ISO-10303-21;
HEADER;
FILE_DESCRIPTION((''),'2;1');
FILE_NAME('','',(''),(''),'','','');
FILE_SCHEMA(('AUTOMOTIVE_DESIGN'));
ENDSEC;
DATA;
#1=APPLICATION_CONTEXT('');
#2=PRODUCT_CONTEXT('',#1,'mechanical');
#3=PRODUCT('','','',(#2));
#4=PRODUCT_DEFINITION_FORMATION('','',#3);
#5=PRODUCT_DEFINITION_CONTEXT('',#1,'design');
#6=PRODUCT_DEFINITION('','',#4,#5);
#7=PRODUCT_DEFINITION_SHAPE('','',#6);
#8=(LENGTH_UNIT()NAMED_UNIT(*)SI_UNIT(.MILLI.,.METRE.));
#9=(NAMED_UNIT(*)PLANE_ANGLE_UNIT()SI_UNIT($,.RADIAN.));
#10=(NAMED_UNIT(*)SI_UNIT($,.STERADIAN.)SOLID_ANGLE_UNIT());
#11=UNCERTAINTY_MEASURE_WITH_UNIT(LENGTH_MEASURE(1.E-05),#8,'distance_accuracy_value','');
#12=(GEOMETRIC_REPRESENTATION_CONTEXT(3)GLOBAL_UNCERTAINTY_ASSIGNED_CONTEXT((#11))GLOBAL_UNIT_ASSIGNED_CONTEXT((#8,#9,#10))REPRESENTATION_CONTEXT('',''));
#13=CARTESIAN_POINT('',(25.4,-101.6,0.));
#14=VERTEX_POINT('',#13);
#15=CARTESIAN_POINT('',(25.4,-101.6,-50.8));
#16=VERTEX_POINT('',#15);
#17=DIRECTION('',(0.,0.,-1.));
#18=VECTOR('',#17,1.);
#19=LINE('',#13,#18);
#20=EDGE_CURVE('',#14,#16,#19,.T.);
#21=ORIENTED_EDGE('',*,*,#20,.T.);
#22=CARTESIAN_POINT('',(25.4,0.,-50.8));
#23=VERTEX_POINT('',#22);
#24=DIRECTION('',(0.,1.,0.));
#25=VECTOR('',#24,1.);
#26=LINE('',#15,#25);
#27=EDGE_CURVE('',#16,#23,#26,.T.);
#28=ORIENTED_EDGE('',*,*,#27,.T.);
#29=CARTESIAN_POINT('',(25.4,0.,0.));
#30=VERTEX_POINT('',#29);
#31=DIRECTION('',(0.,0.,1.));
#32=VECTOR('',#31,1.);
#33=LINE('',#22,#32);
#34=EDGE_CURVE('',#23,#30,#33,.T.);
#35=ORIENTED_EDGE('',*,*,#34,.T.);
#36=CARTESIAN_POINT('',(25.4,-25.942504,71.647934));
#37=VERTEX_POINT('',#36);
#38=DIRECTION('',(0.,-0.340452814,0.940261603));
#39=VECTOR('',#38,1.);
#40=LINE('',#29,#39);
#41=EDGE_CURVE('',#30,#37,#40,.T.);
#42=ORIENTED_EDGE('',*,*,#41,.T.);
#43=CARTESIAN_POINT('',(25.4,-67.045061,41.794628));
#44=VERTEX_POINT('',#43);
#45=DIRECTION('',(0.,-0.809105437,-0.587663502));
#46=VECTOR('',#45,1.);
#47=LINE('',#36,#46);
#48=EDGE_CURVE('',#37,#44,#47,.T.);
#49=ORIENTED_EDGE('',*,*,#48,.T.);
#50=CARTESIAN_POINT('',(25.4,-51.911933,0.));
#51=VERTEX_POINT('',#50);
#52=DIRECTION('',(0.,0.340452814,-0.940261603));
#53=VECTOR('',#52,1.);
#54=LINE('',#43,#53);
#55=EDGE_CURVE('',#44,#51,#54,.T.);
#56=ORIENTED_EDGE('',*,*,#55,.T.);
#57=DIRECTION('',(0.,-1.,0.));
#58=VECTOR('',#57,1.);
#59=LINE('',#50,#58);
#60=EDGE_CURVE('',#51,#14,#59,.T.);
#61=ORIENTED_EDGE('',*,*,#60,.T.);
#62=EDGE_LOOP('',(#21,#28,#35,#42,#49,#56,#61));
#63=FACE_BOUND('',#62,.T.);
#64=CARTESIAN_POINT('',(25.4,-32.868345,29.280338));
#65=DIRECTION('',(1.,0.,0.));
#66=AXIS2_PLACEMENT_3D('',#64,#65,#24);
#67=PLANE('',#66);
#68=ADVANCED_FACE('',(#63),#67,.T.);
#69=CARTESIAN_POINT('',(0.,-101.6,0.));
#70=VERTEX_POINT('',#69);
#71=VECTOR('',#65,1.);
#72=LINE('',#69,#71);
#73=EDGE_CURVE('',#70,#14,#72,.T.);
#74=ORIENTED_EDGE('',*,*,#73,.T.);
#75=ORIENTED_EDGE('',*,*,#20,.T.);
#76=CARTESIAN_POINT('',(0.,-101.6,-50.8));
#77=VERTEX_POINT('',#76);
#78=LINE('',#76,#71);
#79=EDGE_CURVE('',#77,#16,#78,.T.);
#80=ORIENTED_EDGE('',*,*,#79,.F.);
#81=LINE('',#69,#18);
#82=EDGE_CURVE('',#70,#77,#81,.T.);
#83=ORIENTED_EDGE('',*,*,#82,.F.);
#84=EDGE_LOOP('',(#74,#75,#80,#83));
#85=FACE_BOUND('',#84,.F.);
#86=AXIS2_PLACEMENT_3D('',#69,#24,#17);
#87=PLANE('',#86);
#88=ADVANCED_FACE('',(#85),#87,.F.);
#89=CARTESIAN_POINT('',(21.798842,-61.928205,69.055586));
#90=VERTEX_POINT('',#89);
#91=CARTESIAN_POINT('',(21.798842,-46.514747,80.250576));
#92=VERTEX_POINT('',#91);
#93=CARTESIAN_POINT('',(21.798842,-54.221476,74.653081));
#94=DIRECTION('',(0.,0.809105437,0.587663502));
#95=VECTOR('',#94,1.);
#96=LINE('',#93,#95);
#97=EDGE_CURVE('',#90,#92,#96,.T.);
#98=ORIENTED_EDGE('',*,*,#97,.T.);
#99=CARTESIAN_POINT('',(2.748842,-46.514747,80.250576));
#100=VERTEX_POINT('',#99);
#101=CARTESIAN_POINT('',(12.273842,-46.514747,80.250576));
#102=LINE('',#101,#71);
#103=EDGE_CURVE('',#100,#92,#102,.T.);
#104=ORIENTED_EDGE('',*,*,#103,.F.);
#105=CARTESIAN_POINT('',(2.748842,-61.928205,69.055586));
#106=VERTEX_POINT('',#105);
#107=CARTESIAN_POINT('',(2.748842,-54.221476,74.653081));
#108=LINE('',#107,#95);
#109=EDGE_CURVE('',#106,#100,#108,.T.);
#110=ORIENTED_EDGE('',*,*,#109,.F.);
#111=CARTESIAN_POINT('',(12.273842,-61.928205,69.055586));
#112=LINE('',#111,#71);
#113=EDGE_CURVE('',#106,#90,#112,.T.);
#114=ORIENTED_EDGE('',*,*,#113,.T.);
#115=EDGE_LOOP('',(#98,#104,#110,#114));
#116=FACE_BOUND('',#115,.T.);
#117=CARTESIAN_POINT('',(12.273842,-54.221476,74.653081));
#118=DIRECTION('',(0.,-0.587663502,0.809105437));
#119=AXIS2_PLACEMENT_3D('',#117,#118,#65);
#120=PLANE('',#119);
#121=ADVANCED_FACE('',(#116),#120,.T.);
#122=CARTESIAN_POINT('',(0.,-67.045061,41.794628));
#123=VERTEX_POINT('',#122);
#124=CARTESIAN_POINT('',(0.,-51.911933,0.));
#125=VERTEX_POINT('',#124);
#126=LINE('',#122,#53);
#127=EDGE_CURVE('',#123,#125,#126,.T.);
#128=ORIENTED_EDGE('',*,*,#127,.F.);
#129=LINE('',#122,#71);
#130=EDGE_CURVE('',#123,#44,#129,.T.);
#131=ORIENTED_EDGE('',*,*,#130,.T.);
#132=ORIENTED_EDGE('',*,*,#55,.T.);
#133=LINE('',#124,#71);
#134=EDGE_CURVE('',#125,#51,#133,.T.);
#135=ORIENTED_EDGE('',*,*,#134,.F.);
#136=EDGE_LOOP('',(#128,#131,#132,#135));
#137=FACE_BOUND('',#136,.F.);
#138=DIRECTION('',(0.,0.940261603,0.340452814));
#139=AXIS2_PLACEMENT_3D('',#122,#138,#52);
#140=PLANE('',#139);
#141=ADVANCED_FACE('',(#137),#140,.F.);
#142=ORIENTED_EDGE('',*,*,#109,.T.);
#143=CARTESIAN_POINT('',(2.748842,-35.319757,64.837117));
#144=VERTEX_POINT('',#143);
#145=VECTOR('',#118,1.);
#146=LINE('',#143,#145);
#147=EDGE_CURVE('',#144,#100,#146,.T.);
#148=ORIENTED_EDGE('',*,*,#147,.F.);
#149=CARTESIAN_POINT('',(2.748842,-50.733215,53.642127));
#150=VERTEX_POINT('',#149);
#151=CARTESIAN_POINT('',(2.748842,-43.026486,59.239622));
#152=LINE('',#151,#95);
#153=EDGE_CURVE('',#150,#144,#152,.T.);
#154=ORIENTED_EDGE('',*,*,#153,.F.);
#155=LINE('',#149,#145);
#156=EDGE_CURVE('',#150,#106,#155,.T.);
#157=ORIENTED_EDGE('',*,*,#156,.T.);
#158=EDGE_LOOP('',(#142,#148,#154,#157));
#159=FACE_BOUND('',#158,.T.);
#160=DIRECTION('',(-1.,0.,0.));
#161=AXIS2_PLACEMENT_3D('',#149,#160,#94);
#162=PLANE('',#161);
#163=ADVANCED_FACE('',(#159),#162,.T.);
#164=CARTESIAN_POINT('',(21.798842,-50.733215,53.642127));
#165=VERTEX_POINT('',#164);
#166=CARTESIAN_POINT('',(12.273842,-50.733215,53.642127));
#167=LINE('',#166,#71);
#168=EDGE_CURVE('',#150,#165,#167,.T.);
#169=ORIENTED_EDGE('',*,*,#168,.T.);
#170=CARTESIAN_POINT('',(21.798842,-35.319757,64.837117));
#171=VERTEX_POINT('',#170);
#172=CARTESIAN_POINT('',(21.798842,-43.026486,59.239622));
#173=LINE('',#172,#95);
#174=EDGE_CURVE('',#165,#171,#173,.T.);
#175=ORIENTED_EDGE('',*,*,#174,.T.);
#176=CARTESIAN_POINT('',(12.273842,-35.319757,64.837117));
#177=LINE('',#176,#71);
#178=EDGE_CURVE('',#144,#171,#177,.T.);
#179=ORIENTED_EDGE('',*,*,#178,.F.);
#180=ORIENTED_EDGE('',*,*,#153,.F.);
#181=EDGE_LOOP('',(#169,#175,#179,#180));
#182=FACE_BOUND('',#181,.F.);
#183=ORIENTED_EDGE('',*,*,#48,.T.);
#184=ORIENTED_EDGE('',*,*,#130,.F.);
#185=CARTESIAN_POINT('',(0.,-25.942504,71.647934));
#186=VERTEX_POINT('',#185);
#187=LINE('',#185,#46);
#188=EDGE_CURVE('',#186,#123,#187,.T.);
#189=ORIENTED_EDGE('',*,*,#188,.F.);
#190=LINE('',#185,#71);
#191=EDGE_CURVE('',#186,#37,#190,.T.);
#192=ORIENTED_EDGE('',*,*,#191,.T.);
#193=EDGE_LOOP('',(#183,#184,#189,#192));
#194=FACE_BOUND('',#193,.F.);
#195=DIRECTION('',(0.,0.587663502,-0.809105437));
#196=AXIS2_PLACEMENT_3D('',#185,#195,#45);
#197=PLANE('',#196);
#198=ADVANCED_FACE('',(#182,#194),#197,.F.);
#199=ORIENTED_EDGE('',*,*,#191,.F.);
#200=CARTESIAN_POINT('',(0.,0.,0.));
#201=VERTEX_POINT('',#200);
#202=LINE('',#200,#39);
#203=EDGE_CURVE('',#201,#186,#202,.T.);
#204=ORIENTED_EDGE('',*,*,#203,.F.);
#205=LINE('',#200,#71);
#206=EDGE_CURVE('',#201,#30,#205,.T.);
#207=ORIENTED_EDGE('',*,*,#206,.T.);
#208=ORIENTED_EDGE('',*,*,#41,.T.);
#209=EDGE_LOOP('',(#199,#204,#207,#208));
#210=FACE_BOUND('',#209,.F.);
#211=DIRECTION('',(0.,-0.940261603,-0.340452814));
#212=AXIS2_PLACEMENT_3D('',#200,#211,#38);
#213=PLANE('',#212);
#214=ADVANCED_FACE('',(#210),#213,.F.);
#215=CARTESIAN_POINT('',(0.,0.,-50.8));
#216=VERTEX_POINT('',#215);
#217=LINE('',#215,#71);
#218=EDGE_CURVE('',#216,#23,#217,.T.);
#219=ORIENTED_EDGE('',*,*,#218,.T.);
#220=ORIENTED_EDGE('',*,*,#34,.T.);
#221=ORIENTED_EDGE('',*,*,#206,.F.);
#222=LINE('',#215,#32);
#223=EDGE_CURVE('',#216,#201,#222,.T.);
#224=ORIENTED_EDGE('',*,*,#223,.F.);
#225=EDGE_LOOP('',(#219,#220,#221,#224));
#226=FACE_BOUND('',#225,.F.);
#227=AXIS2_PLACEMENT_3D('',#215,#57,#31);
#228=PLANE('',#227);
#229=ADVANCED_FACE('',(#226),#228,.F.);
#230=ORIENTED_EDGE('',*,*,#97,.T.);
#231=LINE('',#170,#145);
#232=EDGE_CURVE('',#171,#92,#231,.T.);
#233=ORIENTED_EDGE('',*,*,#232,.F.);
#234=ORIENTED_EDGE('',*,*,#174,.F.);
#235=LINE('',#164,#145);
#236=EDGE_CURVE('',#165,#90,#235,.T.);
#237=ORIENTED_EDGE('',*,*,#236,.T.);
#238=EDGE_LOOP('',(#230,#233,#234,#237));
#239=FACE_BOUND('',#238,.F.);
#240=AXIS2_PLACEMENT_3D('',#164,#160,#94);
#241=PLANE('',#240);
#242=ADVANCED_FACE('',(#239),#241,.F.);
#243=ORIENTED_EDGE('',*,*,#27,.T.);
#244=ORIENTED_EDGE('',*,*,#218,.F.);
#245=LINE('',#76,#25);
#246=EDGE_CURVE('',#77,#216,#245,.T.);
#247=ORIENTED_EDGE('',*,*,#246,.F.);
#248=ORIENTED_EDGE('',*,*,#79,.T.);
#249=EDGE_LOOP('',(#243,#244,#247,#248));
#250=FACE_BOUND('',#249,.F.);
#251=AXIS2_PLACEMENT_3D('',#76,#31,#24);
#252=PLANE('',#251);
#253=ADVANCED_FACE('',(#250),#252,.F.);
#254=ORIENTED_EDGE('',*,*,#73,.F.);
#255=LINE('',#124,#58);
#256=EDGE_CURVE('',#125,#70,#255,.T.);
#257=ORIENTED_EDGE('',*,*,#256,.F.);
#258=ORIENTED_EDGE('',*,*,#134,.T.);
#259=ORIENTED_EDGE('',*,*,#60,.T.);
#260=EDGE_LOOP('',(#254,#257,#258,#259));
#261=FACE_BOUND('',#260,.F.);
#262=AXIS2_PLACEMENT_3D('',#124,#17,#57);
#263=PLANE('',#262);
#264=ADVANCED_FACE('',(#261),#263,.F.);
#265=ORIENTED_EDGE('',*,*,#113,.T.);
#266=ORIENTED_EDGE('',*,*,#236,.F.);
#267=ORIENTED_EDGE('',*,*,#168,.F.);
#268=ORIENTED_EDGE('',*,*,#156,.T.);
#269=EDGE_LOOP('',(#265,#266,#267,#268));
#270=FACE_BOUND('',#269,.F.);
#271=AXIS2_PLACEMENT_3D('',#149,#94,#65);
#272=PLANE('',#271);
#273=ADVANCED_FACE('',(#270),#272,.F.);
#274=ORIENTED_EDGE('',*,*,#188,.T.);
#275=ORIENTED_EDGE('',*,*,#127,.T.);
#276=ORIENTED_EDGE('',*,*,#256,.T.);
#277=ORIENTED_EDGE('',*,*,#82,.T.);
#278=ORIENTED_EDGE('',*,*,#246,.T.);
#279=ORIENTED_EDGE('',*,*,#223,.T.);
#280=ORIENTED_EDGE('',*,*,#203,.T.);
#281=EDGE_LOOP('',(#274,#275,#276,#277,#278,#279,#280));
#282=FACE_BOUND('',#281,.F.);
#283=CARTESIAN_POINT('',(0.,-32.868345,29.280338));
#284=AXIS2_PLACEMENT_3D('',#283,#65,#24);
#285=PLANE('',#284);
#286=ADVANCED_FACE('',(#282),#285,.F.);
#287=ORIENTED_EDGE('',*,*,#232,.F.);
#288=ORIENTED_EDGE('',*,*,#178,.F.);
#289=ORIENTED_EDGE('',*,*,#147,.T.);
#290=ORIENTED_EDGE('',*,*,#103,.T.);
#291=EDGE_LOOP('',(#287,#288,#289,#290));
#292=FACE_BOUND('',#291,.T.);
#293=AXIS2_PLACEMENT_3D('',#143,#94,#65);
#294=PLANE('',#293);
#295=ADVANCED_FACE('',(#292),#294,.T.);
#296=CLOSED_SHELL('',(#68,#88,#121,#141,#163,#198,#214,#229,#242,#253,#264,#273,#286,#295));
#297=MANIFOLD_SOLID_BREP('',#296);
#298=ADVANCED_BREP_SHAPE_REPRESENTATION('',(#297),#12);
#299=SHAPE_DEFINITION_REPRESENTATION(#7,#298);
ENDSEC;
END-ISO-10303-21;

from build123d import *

# Parameters (mm, degrees)
F1_DEPTH = 25.4
F2_W     = 19.05
F2_H     = 19.05
F3_DEPTH = 19.05


with BuildPart() as f1:
    # F0 (on Right) → F1 (new body)
    with BuildSketch(Plane.YZ):
        Polygon((-67.0450606095, 41.7946282453), (-51.9119330465, 0), (0, 0), (-25.9425043938, 71.6479341348), align=None)
        Polygon((-51.9119330465, 0), (-101.6, 0), (-101.6, -50.8), (0, -50.8), (0, 0), align=None)
    extrude(amount=F1_DEPTH)

    # F2 (on face) → F3 (join)
    with BuildSketch(Plane(origin=(0, -43.0264861608, 59.2396223299), x_dir=(1, 0, 0), z_dir=(0, -0.5876635018, 0.8091054373))):
        with Locations((12.2738424689, 0)):
            Rectangle(F2_W, F2_H)
    extrude(amount=F3_DEPTH)


solid = f1.part
